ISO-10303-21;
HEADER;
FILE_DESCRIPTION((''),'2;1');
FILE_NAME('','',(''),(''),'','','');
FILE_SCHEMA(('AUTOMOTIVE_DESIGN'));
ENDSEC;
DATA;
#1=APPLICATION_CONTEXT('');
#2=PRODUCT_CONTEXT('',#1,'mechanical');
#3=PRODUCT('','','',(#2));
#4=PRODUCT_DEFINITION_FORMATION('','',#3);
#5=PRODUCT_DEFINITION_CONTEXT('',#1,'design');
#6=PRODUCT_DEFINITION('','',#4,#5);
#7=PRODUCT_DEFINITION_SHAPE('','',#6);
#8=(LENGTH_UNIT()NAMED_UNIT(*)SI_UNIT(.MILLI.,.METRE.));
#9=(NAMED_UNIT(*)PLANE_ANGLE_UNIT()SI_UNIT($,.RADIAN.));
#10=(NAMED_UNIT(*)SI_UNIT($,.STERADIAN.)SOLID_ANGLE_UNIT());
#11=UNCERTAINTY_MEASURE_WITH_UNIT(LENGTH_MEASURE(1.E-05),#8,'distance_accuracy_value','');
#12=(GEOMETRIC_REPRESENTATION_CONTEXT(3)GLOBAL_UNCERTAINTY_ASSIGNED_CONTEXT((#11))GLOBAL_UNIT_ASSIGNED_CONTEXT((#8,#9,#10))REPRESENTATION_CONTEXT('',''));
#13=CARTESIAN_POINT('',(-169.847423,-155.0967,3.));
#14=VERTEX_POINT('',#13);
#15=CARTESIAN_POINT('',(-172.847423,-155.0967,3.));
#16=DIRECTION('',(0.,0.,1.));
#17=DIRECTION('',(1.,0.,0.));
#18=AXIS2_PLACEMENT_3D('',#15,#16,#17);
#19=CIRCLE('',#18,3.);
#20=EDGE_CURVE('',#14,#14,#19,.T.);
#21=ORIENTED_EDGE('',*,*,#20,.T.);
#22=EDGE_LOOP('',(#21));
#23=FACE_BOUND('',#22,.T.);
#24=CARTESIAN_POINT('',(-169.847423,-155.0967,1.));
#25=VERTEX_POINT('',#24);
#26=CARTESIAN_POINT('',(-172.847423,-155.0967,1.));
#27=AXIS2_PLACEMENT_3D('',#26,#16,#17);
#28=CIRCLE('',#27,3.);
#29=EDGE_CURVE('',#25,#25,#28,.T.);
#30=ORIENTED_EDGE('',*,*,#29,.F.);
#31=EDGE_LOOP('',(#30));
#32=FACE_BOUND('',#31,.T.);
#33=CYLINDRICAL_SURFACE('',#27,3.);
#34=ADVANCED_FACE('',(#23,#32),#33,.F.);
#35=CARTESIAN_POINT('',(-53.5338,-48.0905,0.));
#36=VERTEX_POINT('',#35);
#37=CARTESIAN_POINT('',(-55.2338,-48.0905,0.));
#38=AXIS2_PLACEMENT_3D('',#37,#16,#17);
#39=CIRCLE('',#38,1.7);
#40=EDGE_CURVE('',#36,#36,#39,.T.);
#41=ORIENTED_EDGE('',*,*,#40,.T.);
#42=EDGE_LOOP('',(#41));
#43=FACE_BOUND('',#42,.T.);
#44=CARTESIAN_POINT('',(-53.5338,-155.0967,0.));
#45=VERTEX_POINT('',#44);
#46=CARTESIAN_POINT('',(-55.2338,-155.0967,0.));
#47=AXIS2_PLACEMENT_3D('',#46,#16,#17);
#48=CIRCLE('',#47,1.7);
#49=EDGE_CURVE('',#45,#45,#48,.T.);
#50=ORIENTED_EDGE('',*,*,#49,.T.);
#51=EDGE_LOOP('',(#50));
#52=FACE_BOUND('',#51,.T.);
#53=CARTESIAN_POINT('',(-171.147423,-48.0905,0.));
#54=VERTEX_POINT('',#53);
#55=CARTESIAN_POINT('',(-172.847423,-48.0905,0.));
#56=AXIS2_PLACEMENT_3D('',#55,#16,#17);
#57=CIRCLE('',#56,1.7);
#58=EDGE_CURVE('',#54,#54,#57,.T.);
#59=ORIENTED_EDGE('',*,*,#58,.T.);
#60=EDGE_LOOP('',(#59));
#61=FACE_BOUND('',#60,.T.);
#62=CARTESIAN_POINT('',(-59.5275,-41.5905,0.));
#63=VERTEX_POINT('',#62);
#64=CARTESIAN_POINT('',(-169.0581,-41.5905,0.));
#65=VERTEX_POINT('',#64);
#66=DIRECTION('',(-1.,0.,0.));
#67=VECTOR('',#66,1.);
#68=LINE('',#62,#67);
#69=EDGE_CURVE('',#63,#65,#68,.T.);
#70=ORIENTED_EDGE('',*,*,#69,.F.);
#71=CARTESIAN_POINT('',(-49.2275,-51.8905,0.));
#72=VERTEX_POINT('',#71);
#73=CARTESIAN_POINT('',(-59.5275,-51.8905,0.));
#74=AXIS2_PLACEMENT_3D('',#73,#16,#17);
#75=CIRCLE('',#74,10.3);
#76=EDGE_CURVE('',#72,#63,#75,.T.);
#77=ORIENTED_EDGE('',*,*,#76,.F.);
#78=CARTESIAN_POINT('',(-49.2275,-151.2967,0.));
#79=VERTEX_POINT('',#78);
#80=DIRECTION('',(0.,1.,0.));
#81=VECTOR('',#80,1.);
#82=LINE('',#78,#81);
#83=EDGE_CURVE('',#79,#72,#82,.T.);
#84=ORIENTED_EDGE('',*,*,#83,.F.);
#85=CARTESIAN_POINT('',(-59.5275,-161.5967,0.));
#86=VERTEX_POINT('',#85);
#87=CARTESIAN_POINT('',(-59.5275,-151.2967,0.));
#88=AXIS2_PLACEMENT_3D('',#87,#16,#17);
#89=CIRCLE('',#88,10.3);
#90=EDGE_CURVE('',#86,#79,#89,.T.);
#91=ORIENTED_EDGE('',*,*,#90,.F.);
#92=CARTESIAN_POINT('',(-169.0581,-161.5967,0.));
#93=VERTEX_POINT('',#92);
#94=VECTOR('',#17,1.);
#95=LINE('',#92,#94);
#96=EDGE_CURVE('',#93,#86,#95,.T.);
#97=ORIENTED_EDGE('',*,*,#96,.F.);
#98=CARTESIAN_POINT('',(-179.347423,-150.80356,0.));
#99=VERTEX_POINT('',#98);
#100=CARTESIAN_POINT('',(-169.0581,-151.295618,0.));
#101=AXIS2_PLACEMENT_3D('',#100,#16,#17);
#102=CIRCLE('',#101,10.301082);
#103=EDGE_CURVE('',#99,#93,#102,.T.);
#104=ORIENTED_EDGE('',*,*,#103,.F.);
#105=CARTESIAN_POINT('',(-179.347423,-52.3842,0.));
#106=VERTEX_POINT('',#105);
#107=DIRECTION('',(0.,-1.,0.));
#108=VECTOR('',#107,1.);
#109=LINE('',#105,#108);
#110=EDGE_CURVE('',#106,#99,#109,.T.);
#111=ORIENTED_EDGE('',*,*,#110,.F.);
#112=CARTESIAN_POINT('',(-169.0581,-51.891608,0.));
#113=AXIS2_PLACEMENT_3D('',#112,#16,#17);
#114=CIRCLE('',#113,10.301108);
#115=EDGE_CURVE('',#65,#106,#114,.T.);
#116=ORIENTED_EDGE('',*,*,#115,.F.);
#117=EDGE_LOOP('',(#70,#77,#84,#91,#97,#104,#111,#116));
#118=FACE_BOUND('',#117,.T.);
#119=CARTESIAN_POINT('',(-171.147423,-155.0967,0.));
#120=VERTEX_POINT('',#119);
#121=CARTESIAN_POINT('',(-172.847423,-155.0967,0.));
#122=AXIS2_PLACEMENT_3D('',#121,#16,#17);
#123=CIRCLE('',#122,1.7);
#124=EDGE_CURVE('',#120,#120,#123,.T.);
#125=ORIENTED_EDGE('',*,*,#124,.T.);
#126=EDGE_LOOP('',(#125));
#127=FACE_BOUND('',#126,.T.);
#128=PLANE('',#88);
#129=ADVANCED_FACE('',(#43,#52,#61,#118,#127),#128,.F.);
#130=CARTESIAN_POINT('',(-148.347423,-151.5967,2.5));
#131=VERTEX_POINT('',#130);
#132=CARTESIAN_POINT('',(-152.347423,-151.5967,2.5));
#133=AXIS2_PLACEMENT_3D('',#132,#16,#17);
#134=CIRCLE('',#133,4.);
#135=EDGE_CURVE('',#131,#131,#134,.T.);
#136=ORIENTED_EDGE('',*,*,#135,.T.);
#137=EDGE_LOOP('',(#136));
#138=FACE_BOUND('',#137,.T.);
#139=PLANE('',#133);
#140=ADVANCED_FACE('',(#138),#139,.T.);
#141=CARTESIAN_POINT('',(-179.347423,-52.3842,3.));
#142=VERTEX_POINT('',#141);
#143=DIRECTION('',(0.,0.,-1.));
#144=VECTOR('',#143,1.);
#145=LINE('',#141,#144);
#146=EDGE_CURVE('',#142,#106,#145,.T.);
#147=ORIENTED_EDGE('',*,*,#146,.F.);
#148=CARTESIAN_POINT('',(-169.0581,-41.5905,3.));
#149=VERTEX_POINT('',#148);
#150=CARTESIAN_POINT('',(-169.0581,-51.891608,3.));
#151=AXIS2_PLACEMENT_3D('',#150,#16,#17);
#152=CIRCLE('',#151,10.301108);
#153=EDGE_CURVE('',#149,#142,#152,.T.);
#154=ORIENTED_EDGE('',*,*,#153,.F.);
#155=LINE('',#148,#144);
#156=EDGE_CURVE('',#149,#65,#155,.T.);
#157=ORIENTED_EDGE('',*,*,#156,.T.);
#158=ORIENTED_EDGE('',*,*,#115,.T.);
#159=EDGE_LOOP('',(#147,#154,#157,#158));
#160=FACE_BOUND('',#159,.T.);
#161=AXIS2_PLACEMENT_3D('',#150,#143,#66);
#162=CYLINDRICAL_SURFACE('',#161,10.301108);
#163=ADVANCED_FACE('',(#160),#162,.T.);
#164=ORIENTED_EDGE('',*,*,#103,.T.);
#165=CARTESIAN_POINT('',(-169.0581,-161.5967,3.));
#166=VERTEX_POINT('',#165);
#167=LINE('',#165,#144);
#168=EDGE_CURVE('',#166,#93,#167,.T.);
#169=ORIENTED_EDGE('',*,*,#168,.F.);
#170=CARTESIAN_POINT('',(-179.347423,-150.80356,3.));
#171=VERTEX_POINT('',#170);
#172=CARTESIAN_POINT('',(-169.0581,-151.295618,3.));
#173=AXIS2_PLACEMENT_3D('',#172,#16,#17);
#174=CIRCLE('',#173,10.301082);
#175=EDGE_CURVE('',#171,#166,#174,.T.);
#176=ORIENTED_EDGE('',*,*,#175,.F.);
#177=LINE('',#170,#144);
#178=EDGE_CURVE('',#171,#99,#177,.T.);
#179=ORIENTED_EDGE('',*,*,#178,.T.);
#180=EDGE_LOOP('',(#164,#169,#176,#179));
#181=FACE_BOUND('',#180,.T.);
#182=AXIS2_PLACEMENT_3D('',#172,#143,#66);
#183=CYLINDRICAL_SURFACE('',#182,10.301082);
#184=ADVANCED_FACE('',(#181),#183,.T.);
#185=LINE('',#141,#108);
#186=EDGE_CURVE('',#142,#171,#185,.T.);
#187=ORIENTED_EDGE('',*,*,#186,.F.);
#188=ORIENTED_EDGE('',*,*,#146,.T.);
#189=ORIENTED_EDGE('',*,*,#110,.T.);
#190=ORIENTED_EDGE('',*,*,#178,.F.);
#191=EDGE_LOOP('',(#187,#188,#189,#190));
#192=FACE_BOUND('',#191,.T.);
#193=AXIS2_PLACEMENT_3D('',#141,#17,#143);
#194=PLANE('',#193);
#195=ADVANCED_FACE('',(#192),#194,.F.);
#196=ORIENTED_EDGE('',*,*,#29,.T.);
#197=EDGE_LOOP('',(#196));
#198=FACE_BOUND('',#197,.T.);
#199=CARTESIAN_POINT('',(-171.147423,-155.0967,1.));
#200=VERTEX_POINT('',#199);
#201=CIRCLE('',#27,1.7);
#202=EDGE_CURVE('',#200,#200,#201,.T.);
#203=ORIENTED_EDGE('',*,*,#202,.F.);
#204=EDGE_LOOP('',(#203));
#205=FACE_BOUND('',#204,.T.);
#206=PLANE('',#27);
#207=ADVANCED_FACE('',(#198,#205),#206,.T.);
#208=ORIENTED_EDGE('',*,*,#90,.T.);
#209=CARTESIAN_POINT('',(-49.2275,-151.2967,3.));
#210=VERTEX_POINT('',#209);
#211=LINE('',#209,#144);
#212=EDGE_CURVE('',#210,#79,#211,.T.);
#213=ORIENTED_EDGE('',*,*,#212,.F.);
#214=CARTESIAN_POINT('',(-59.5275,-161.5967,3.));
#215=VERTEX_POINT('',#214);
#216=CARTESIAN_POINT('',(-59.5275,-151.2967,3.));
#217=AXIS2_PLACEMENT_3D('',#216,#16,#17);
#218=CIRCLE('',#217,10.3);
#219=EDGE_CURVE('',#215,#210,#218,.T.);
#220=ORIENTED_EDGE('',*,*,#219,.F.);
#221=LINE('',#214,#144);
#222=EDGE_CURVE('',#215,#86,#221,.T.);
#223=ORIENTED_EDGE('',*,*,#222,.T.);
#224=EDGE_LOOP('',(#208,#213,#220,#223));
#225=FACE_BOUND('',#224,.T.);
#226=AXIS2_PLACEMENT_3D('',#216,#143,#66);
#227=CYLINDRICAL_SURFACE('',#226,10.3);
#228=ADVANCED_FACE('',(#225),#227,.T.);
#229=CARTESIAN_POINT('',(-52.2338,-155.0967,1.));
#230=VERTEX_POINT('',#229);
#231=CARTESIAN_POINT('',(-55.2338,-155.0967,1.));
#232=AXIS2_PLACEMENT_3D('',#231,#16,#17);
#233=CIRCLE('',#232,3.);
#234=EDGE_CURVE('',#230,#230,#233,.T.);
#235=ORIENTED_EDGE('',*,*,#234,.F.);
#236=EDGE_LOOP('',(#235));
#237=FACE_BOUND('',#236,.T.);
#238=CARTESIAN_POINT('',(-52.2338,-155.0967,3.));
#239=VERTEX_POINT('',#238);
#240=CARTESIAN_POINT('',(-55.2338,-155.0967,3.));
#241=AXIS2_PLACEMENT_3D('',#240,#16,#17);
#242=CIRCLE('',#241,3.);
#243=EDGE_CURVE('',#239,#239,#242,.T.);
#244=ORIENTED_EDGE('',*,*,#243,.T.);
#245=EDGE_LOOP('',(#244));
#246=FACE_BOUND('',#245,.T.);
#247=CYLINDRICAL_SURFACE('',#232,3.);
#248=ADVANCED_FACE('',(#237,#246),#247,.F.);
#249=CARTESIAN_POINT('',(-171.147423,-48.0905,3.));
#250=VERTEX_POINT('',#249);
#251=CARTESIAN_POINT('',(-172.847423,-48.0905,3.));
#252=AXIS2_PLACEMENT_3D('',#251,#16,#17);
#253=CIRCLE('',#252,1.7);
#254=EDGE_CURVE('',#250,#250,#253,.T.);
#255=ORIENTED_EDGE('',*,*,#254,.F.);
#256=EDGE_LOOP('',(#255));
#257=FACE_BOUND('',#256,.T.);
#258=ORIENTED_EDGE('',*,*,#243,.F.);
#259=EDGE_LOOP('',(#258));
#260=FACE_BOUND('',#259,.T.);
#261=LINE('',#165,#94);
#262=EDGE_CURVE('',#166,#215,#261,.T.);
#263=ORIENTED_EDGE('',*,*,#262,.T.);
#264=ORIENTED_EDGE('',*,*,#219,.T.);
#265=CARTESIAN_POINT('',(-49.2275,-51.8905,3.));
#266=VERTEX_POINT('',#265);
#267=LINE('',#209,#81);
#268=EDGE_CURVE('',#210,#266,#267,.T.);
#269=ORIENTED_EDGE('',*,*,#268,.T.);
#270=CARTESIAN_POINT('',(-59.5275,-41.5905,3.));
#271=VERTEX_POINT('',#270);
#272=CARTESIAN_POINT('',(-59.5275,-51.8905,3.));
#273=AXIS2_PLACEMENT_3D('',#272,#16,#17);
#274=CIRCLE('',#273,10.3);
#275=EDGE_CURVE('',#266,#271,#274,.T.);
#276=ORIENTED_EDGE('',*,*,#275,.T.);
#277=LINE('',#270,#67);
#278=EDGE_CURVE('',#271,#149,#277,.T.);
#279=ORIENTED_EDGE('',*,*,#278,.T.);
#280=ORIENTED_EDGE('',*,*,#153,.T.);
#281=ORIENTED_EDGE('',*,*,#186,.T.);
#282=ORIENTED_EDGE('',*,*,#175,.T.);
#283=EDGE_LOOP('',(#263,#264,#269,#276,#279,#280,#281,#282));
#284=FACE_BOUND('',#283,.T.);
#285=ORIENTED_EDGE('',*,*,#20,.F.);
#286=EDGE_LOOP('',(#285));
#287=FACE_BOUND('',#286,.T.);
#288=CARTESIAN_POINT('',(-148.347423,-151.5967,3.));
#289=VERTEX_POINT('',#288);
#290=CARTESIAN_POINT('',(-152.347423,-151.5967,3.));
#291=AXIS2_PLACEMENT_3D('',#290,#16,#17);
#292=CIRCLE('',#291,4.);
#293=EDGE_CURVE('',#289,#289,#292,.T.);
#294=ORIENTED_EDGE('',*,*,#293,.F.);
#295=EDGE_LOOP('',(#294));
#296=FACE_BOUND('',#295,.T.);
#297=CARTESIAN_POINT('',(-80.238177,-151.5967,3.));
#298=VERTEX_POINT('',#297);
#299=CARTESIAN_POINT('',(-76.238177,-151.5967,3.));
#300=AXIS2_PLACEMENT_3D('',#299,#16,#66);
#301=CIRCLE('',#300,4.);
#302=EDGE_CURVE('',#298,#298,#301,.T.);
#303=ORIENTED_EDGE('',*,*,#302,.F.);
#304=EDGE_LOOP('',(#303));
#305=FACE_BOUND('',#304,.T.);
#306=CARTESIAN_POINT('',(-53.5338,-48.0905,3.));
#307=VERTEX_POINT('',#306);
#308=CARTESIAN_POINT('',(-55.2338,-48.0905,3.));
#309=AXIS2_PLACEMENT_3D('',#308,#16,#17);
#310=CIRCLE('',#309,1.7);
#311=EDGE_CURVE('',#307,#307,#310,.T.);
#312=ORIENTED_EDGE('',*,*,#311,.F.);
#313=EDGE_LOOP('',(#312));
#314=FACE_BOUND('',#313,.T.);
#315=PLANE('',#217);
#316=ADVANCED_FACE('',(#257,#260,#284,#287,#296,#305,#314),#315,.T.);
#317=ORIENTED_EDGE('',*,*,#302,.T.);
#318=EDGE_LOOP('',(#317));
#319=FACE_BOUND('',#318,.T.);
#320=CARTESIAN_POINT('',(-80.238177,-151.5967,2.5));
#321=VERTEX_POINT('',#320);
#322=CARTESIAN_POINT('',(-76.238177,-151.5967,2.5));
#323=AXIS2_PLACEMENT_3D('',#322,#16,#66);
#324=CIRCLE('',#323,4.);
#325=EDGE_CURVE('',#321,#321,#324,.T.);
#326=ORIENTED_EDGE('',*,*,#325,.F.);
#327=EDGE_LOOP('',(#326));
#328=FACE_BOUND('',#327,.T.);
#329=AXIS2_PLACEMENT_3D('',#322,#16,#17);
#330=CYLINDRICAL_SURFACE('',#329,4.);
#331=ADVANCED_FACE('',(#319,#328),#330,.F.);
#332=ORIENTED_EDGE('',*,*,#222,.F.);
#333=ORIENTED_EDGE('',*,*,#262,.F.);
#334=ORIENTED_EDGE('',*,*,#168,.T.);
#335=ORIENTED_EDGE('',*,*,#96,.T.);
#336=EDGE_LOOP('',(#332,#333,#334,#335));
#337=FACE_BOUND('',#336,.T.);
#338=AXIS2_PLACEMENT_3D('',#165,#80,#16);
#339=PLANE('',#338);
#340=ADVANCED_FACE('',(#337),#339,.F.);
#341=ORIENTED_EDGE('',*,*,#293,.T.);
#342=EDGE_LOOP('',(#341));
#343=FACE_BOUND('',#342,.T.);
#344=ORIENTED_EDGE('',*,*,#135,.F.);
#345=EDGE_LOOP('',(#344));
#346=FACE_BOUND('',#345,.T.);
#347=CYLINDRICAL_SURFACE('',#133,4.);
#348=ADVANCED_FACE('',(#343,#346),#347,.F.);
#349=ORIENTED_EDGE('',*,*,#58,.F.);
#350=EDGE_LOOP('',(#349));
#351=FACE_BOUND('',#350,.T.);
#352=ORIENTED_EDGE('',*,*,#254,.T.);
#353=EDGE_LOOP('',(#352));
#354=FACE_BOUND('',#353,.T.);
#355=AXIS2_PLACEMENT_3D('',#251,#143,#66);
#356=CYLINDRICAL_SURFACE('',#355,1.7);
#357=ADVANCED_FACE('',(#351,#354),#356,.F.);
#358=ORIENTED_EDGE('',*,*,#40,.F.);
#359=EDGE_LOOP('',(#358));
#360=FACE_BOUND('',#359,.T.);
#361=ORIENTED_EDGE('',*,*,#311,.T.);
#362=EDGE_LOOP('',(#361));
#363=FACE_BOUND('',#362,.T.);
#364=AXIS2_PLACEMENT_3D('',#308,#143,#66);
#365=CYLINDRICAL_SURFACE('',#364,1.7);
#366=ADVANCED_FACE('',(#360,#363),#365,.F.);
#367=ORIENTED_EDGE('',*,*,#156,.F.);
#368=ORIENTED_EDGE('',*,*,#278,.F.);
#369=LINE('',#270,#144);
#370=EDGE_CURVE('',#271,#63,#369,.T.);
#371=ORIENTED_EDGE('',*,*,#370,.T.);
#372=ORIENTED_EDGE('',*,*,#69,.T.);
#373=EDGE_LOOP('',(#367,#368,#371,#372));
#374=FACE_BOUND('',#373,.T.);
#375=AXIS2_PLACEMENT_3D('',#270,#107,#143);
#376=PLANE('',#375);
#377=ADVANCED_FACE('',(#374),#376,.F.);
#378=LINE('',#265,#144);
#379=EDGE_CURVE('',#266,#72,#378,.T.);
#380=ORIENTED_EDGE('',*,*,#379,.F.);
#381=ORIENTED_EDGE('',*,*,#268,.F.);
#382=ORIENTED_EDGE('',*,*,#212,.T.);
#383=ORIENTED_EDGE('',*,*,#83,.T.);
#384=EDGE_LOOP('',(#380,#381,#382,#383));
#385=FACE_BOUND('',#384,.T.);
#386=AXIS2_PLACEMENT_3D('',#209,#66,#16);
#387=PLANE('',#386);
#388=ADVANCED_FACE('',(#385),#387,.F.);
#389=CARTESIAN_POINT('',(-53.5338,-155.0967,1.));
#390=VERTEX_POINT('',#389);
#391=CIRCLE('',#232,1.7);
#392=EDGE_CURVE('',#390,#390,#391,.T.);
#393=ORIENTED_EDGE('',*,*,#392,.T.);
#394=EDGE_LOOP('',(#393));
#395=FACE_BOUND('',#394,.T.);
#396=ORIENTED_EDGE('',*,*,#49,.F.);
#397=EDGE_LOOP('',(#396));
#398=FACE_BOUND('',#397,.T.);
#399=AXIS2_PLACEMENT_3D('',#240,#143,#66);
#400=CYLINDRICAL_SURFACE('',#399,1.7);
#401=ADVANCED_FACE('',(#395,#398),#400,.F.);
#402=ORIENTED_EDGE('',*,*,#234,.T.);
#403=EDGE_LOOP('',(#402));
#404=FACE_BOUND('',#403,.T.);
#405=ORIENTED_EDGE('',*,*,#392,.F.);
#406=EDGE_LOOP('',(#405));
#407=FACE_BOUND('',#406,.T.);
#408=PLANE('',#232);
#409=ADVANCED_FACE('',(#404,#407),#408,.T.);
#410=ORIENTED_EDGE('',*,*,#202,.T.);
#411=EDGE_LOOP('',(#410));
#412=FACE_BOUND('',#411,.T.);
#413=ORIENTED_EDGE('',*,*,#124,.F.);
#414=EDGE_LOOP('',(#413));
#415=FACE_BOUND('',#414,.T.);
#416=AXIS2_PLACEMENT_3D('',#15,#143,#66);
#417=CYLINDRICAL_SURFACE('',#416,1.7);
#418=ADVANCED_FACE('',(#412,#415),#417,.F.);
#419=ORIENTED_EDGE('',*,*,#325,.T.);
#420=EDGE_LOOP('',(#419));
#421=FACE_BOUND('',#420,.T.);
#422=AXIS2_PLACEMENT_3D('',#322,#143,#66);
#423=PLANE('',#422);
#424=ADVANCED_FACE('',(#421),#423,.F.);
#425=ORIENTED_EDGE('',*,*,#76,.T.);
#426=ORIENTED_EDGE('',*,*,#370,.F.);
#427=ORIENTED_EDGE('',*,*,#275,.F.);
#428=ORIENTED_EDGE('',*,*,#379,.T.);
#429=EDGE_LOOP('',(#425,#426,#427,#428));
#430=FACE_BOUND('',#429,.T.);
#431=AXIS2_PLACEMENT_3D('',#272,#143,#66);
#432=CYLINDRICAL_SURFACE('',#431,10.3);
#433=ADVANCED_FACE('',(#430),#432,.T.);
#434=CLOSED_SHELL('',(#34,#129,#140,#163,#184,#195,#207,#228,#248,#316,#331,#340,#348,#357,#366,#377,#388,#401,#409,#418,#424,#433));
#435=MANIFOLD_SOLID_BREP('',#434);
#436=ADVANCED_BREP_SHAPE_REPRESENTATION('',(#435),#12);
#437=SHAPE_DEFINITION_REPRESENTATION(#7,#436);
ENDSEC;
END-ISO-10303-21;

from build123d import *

# Parameters (mm, degrees)
SKIZZE1_R                       = 1.7
AUFSATZ_LINEAR_AUSTRAGEN1_DEPTH = 3
SKIZZE2_R                       = 3
SCHNITT_LINEAR_AUSTRAGEN1_DEPTH = 2
SKIZZE3_R                       = 4
SCHNITT_LINEAR_AUSTRAGEN2_DEPTH = 0.5


with BuildPart() as part:
    # Skizze1 → Aufsatz-Linear austragen1 (new body)
    with BuildSketch(Plane.XY):
        with BuildLine():
            Line((-49.2275, -151.2967), (-49.2275, -51.8905))
            ThreePointArc((-49.2275, -51.8905), (-52.244300154, -44.607300154), (-59.5275, -41.5905))
            Line((-59.5275, -41.5905), (-169.0581, -41.5905))
            ThreePointArc((-169.0581, -41.5905), (-176.514207067, -44.783915623), (-179.34742314, -52.3842))
            Line((-179.34742314, -52.3842), (-179.34742314, -150.803560266))
            ThreePointArc((-179.34742314, -150.803560266), (-176.514004305, -158.403485592), (-169.0581, -161.5967))
            Line((-169.0581, -161.5967), (-59.5275, -161.5967))
            ThreePointArc((-59.5275, -161.5967), (-52.244300154, -158.579899846), (-49.2275, -151.2967))
        make_face()
        with Locations((-172.84742314, -155.0967)):
            Circle(SKIZZE1_R, mode=Mode.SUBTRACT)
        with Locations((-55.2338, -155.0967)):
            Circle(SKIZZE1_R, mode=Mode.SUBTRACT)
        with Locations((-55.2338, -48.0905)):
            Circle(SKIZZE1_R, mode=Mode.SUBTRACT)
        with Locations((-172.84742314, -48.0905)):
            Circle(SKIZZE1_R, mode=Mode.SUBTRACT)
    extrude(amount=AUFSATZ_LINEAR_AUSTRAGEN1_DEPTH)

    # Skizze2 → Schnitt-Linear austragen1 (cut)
    with BuildSketch(Plane.XY.offset(3)):
        with Locations((-172.84742314, -155.0967)):
            Circle(SKIZZE2_R)
        with Locations((-55.2338, -155.0967)):
            Circle(SKIZZE2_R)
    extrude(amount=-SCHNITT_LINEAR_AUSTRAGEN1_DEPTH, mode=Mode.SUBTRACT)

    # Skizze3 → Schnitt-Linear austragen2 (cut)
    with BuildSketch(Plane.XY.offset(3)):
        with Locations((-152.34742314, -151.5967)):
            Circle(SKIZZE3_R)
        with Locations(Location((-76.23817686, -151.5967, 0), (0, 0, 180))):
            Circle(SKIZZE3_R)
    extrude(amount=-SCHNITT_LINEAR_AUSTRAGEN2_DEPTH, mode=Mode.SUBTRACT)


solid = part.part
